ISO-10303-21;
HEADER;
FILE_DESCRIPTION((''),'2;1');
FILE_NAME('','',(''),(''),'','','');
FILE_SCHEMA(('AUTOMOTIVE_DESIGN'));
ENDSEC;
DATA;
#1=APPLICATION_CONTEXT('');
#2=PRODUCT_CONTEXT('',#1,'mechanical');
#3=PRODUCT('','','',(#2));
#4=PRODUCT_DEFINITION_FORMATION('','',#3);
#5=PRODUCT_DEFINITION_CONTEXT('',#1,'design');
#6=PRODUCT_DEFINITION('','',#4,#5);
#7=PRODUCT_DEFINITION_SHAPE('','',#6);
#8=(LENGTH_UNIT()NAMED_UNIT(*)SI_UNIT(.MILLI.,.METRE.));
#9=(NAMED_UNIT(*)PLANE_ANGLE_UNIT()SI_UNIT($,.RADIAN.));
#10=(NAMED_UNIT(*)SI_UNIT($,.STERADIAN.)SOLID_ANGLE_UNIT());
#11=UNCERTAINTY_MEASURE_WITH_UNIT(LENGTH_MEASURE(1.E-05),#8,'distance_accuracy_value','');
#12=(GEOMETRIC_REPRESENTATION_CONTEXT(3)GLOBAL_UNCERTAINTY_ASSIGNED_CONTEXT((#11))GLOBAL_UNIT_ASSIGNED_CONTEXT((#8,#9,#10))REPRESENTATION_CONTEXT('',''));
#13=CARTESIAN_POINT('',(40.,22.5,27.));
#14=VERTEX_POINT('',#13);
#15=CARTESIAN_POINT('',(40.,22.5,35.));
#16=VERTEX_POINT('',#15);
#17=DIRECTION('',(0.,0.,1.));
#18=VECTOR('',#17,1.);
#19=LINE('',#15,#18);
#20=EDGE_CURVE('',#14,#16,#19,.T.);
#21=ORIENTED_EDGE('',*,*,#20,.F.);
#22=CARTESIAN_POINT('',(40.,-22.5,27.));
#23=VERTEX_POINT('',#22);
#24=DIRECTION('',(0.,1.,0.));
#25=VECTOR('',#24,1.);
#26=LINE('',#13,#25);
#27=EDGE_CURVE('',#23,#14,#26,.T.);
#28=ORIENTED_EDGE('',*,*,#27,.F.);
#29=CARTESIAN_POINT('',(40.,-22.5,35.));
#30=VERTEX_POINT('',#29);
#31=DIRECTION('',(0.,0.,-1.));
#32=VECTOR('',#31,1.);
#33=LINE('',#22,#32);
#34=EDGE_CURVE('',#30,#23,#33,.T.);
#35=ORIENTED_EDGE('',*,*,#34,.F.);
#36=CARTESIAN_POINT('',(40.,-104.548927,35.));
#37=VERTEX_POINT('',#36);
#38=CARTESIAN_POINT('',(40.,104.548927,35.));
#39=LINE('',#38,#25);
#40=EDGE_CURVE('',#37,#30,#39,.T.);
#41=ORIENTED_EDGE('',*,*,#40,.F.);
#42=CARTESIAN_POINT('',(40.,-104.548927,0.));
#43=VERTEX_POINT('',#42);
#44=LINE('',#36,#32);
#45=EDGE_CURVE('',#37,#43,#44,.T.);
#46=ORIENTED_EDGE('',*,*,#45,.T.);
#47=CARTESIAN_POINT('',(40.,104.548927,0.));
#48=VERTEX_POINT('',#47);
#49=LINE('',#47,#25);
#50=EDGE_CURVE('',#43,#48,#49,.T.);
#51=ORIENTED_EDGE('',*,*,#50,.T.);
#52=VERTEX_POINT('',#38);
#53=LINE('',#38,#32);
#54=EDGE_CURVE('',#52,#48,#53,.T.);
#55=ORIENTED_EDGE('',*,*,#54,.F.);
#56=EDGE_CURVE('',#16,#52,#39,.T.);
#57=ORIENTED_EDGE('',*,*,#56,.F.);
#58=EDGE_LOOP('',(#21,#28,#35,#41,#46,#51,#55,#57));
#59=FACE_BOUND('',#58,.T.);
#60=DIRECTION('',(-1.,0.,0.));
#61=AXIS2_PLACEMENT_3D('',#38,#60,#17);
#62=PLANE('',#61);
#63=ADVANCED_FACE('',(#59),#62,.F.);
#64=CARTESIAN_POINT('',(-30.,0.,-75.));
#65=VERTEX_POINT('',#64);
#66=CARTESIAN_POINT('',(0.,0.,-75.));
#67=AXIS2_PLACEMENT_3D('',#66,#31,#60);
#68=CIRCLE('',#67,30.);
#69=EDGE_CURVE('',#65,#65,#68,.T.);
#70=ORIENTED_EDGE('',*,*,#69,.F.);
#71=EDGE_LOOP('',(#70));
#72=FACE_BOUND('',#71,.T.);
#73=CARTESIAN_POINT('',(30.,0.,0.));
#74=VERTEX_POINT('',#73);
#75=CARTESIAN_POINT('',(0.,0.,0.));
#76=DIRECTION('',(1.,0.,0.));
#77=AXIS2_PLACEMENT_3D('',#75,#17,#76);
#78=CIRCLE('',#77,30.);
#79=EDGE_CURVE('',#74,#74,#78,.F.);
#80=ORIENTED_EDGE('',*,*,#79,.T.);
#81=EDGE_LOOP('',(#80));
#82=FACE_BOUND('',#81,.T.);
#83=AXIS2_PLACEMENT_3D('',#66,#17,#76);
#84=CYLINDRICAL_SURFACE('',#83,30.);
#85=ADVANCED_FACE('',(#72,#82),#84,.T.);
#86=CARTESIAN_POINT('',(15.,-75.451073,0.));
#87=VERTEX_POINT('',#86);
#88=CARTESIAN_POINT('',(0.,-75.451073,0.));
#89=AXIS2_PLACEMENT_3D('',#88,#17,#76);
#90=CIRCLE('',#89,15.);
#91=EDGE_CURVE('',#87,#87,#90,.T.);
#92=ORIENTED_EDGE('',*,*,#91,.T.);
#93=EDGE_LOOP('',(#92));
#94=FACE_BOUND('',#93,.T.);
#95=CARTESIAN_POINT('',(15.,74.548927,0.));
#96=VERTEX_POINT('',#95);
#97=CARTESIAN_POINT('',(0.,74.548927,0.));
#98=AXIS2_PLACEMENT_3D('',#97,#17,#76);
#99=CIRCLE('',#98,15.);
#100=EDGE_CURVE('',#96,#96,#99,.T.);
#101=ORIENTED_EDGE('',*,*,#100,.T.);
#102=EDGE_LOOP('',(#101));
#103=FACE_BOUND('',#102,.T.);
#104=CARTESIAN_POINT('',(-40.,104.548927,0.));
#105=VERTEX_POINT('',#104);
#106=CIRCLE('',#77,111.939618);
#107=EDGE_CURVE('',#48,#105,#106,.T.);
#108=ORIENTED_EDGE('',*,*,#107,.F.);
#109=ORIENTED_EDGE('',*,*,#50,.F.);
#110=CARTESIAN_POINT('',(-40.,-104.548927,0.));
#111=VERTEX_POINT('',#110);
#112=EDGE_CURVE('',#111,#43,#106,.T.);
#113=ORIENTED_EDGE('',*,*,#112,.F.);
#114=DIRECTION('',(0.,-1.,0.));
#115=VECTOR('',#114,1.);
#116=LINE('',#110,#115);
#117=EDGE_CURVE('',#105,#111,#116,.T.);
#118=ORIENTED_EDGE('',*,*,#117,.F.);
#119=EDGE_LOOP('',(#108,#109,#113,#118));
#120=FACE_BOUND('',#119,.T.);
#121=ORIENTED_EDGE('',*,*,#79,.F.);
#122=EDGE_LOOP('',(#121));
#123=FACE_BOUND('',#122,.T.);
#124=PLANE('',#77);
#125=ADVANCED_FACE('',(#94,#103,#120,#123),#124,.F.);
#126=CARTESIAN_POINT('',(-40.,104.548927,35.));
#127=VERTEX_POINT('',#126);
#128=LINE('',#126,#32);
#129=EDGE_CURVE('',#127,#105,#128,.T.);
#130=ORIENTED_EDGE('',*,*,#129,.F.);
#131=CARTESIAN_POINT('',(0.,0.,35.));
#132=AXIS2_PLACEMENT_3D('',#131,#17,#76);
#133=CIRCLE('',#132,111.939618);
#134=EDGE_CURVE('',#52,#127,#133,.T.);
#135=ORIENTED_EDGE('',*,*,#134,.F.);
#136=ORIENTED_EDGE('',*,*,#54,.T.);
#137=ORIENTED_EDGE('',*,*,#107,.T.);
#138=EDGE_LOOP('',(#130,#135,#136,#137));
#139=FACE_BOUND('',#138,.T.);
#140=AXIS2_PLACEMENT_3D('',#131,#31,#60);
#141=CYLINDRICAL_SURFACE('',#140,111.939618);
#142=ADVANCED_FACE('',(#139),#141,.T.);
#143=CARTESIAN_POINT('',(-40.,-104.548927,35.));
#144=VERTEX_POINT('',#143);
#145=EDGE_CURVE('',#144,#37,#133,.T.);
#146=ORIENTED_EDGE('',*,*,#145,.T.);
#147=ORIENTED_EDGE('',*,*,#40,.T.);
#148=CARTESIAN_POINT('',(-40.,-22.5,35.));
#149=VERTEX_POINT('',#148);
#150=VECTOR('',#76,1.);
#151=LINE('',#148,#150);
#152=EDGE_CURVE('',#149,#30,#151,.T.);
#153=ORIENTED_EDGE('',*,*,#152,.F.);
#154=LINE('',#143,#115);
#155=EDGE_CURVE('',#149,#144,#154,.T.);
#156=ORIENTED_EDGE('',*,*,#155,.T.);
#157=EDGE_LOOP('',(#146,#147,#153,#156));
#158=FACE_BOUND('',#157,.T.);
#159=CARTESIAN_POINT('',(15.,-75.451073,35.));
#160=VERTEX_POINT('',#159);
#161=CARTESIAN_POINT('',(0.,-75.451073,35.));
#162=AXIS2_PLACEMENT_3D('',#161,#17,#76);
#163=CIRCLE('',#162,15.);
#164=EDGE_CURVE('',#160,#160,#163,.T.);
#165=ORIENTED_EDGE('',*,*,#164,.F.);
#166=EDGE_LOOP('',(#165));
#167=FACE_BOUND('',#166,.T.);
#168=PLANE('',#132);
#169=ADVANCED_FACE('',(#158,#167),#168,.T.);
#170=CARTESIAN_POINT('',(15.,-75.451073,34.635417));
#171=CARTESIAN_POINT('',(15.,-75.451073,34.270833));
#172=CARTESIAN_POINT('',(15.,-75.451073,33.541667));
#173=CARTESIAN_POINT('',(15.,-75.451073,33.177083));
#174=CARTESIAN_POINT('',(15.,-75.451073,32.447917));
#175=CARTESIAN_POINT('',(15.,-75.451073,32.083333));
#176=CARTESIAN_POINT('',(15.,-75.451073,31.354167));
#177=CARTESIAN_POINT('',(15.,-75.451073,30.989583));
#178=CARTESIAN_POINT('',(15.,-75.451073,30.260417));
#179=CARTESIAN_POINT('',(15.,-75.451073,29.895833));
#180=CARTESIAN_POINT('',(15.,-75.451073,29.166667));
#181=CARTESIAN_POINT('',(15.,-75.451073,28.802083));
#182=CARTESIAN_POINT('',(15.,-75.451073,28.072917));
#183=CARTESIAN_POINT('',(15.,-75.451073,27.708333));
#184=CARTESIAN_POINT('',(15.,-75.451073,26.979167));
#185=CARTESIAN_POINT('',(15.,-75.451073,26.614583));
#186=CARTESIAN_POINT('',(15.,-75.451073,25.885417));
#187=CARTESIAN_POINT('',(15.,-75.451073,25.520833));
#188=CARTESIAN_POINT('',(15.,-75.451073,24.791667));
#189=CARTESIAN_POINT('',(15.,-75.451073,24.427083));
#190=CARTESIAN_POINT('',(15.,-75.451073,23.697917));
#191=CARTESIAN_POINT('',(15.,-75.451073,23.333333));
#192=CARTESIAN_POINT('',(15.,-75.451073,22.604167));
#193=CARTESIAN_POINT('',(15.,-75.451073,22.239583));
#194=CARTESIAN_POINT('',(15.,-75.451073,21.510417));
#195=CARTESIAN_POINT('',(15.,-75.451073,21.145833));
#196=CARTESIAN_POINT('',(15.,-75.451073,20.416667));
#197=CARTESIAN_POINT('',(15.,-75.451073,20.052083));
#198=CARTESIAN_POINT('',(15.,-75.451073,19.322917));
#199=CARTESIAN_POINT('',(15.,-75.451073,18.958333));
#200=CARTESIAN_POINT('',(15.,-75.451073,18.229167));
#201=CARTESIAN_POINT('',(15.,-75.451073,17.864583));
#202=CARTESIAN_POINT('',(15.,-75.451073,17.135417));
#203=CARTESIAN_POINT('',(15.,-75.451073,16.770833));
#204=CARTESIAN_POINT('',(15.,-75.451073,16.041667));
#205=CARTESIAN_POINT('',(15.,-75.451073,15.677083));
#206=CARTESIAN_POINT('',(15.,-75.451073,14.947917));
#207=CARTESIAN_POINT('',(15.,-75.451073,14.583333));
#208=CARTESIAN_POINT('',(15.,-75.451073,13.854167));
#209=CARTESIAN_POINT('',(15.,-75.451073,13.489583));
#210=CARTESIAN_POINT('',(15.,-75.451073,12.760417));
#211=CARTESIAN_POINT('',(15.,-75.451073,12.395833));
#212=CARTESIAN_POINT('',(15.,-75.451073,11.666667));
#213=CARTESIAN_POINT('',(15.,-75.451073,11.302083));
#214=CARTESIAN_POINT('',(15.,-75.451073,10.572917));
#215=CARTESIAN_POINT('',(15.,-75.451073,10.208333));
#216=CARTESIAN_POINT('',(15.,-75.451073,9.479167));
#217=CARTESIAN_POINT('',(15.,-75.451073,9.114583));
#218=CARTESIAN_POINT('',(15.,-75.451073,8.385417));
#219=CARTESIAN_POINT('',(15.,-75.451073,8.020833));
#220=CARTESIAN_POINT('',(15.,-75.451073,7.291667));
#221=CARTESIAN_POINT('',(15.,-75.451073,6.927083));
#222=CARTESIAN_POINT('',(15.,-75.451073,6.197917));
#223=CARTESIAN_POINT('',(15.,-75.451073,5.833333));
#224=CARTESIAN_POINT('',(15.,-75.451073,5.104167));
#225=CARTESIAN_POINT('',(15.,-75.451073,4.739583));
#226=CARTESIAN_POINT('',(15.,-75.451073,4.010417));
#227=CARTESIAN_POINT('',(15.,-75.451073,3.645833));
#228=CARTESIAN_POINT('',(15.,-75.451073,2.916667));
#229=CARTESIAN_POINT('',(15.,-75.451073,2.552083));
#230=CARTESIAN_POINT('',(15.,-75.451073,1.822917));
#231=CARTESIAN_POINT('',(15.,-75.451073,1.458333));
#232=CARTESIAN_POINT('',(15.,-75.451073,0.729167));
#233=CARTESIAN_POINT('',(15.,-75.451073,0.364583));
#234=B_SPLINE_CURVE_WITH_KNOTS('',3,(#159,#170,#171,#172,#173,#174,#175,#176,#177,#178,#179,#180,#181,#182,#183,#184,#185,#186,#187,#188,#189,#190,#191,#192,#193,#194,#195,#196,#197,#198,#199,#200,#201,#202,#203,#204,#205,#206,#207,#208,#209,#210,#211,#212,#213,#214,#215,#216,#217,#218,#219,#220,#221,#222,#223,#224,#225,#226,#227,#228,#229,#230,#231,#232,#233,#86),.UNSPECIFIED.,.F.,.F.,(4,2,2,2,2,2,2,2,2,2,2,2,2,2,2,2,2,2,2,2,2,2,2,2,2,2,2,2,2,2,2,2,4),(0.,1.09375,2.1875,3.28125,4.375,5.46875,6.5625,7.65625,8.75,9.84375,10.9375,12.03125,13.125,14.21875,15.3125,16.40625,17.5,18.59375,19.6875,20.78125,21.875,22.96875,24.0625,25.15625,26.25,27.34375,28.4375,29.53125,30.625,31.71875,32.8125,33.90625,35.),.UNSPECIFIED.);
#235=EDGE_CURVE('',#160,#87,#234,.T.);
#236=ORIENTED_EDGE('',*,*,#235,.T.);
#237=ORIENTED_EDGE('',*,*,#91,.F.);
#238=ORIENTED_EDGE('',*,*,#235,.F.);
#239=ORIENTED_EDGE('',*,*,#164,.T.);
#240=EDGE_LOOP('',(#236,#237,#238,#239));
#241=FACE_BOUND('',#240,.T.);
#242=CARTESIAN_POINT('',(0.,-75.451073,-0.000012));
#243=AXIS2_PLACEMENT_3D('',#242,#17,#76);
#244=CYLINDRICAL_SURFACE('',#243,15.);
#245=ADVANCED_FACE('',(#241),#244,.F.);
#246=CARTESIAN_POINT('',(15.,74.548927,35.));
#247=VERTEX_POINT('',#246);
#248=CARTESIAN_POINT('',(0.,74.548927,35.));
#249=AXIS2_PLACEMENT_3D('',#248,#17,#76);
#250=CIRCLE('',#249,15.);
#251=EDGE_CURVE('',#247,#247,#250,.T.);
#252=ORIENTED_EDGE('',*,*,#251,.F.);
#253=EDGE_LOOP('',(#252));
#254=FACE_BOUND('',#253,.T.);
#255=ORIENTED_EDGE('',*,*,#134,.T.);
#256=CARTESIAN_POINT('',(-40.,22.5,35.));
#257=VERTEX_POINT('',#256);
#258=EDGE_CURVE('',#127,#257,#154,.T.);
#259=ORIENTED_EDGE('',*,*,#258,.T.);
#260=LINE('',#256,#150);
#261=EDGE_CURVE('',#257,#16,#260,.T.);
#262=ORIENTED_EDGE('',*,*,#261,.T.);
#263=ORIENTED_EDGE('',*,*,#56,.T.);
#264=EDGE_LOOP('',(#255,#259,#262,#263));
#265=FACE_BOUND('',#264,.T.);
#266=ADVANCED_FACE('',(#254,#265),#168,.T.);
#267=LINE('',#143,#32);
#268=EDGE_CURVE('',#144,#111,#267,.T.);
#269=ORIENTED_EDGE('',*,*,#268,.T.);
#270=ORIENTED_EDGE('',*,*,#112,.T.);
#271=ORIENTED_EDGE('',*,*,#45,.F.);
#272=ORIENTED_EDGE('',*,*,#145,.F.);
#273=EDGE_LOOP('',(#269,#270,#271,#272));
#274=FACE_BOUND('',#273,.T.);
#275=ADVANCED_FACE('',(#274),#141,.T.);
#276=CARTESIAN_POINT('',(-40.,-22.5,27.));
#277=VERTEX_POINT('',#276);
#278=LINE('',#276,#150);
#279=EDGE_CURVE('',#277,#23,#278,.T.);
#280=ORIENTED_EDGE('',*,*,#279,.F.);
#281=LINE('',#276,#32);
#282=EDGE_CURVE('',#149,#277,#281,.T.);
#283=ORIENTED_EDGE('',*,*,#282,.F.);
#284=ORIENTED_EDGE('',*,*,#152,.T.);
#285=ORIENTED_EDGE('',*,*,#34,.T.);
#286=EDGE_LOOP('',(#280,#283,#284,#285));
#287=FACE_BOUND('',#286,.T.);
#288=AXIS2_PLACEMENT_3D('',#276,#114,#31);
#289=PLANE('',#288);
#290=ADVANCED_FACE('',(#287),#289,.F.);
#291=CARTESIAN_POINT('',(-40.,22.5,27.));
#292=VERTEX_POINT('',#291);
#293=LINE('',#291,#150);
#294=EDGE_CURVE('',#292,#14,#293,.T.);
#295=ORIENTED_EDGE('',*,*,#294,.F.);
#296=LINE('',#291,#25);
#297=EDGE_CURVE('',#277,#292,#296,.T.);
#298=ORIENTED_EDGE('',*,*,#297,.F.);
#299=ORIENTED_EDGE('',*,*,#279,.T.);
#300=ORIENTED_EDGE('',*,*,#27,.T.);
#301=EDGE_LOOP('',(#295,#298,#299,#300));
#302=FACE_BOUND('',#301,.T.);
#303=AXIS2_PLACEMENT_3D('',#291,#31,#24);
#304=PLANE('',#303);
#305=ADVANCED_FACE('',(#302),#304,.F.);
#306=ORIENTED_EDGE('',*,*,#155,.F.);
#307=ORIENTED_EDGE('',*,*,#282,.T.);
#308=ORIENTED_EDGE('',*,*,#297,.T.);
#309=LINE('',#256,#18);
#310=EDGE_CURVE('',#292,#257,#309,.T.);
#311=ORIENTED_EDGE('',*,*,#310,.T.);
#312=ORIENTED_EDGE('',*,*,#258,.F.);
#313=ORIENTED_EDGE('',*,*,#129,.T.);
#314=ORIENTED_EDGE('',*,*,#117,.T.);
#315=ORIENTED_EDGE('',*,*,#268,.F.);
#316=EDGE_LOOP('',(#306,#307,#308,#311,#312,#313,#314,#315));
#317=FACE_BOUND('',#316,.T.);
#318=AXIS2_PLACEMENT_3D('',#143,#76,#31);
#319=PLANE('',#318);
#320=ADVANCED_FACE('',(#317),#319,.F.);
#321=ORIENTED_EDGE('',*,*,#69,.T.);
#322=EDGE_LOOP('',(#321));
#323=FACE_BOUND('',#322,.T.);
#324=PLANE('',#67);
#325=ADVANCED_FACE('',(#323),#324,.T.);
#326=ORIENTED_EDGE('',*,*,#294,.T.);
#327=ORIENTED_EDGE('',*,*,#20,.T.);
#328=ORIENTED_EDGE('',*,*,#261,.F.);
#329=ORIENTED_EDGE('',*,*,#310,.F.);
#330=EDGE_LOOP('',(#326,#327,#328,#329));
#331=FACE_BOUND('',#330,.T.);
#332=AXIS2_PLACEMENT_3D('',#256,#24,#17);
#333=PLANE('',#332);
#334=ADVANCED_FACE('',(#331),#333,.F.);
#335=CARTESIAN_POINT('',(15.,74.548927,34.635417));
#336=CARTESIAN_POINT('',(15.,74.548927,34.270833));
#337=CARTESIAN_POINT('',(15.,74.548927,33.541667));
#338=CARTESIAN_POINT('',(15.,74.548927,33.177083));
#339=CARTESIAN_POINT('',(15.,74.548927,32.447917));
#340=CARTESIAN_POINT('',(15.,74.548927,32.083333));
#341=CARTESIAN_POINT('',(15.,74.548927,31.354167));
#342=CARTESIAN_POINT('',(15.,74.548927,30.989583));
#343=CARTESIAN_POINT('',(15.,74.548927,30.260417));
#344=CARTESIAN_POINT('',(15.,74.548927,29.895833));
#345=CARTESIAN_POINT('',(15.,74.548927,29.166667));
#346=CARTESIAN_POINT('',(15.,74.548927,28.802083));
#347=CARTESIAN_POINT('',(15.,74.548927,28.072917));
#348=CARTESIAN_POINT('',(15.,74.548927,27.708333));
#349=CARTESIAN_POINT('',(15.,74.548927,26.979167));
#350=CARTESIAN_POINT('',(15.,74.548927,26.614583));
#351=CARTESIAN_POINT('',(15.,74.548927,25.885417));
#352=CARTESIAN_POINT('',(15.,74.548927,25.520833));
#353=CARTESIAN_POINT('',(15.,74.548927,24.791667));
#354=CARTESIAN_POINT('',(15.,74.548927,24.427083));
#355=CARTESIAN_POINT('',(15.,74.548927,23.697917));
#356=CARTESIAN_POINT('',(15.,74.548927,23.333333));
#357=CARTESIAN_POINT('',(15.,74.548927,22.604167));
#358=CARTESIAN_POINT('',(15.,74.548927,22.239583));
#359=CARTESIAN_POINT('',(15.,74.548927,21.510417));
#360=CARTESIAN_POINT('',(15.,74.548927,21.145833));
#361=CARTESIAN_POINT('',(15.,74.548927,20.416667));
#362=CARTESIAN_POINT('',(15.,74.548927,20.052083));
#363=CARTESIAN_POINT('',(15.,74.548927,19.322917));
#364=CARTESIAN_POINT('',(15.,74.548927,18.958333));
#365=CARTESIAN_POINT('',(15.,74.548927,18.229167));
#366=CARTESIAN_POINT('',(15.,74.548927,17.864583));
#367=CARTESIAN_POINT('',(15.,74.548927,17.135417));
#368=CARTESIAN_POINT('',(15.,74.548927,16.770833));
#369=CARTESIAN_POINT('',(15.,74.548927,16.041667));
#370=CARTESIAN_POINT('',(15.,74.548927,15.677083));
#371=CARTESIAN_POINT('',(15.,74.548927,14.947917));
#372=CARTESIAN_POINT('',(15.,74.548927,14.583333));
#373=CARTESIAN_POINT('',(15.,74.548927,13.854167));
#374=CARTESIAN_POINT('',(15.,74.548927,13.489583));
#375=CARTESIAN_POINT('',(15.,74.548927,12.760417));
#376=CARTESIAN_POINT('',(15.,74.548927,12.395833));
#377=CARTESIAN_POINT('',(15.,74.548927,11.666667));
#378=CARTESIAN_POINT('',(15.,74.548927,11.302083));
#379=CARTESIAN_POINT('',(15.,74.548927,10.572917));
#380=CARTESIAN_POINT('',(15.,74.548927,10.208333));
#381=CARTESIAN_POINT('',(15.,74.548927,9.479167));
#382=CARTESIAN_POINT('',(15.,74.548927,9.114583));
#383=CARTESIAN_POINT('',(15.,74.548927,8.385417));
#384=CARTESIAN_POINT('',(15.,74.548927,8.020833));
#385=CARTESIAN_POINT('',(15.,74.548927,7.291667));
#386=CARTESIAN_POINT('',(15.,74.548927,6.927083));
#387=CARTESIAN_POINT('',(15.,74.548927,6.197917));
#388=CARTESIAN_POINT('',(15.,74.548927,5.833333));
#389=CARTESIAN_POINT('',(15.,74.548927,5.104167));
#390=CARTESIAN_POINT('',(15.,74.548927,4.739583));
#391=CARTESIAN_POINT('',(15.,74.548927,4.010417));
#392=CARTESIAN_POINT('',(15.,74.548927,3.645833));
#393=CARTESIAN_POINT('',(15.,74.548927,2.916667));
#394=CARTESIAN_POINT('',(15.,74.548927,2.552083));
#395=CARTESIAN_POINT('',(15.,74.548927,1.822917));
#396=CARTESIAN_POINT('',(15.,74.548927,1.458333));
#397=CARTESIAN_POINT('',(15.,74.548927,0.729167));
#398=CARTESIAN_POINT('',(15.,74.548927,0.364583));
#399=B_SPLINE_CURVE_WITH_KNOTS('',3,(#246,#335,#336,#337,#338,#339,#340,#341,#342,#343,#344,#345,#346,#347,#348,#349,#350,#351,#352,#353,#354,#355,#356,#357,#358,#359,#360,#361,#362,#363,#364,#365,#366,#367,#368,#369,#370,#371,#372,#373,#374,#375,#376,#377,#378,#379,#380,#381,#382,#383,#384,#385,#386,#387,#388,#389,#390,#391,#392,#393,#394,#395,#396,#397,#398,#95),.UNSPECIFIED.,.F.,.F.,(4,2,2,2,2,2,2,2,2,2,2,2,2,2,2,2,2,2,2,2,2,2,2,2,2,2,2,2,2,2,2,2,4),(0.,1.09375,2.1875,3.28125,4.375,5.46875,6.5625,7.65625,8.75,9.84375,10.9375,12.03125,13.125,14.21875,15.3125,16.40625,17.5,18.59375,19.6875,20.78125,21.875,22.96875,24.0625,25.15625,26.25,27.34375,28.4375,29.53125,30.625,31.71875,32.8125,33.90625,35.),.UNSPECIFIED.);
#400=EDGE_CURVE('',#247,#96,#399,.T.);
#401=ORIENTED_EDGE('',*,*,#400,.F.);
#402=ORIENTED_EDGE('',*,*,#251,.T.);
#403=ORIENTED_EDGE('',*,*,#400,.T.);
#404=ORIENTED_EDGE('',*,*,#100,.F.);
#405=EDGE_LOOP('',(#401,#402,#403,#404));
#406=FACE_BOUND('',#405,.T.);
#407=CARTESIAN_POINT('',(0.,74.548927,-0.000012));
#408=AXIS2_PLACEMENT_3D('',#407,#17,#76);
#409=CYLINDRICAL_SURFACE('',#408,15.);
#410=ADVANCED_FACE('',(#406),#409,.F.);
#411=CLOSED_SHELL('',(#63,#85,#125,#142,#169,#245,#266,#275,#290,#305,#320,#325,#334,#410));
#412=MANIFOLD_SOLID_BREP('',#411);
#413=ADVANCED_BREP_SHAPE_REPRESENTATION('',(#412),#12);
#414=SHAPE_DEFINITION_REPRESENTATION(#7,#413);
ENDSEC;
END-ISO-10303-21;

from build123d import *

# Parameters (mm, degrees)
BOSS_EXTRUDE1_DEPTH     = 35
CUT_EXTRUDE1_DEPTH      = 124.917223134
CUT_EXTRUDE1_DEPTH_BACK = 124.917223134
SKETCH2_W               = 8
SKETCH2_H               = 45
CUT_EXTRUDE2_DEPTH      = 124.917223134
CUT_EXTRUDE2_DEPTH_BACK = 124.917223134
SKETCH3_R               = 15
CUT_EXTRUDE3_DEPTH      = 124.917223134
CUT_EXTRUDE3_DEPTH_BACK = 124.917223134
SKETCH4_R               = 15
SKETCH5_R               = 30
BOSS_EXTRUDE2_DEPTH     = 75


with BuildPart() as part:
    # Sketch1 → Boss-Extrude1 (new body)
    with BuildSketch(Plane.XY):
        with BuildLine():
            Line((-40, -104.548927251), (-40, 104.548927251))
            ThreePointArc((-40, 104.548927251), (0, 111.939618497), (40, 104.548927251))
            Line((40, 104.548927251), (40, -104.548927251))
            ThreePointArc((40, -104.548927251), (0, -111.939618497), (-40, -104.548927251))
        make_face()
    extrude(amount=BOSS_EXTRUDE1_DEPTH)

    # Sketch2 → Cut-Extrude1 (cut, two sides: drawn at the far end of the back side and taken through both)
    with BuildSketch(Plane(origin=(0, 0, 0), x_dir=(0, 0, -1), z_dir=(1, 0, 0)).offset(-CUT_EXTRUDE1_DEPTH_BACK)):
        with Locations((-31, 0)):
            Rectangle(SKETCH2_W, SKETCH2_H)
    extrude(amount=CUT_EXTRUDE1_DEPTH + CUT_EXTRUDE1_DEPTH_BACK, mode=Mode.SUBTRACT)

    # Sketch3 → Cut-Extrude2 (cut, two sides: drawn at the far end of the back side and taken through both)
    with BuildSketch(Plane.XY.offset(-CUT_EXTRUDE2_DEPTH_BACK)):
        with Locations((0, 74.548927251)):
            Circle(SKETCH3_R)
    extrude(amount=CUT_EXTRUDE2_DEPTH + CUT_EXTRUDE2_DEPTH_BACK, mode=Mode.SUBTRACT)

    # Sketch4 → Cut-Extrude3 (cut, two sides: drawn at the far end of the back side and taken through both)
    with BuildSketch(Plane.XY.offset(-CUT_EXTRUDE3_DEPTH_BACK)):
        with Locations((0, -75.451072749)):
            Circle(SKETCH4_R)
    extrude(amount=CUT_EXTRUDE3_DEPTH + CUT_EXTRUDE3_DEPTH_BACK, mode=Mode.SUBTRACT)

    # Sketch5 → Boss-Extrude2 (add)
    with BuildSketch(Plane(origin=(0, 0, 0), x_dir=(-1, 0, 0), z_dir=(0, 0, -1))):
        with Locations(Location((0, 0, 0), (0, 0, 180))):
            Circle(SKETCH5_R)
    extrude(amount=BOSS_EXTRUDE2_DEPTH)


solid = part.part
